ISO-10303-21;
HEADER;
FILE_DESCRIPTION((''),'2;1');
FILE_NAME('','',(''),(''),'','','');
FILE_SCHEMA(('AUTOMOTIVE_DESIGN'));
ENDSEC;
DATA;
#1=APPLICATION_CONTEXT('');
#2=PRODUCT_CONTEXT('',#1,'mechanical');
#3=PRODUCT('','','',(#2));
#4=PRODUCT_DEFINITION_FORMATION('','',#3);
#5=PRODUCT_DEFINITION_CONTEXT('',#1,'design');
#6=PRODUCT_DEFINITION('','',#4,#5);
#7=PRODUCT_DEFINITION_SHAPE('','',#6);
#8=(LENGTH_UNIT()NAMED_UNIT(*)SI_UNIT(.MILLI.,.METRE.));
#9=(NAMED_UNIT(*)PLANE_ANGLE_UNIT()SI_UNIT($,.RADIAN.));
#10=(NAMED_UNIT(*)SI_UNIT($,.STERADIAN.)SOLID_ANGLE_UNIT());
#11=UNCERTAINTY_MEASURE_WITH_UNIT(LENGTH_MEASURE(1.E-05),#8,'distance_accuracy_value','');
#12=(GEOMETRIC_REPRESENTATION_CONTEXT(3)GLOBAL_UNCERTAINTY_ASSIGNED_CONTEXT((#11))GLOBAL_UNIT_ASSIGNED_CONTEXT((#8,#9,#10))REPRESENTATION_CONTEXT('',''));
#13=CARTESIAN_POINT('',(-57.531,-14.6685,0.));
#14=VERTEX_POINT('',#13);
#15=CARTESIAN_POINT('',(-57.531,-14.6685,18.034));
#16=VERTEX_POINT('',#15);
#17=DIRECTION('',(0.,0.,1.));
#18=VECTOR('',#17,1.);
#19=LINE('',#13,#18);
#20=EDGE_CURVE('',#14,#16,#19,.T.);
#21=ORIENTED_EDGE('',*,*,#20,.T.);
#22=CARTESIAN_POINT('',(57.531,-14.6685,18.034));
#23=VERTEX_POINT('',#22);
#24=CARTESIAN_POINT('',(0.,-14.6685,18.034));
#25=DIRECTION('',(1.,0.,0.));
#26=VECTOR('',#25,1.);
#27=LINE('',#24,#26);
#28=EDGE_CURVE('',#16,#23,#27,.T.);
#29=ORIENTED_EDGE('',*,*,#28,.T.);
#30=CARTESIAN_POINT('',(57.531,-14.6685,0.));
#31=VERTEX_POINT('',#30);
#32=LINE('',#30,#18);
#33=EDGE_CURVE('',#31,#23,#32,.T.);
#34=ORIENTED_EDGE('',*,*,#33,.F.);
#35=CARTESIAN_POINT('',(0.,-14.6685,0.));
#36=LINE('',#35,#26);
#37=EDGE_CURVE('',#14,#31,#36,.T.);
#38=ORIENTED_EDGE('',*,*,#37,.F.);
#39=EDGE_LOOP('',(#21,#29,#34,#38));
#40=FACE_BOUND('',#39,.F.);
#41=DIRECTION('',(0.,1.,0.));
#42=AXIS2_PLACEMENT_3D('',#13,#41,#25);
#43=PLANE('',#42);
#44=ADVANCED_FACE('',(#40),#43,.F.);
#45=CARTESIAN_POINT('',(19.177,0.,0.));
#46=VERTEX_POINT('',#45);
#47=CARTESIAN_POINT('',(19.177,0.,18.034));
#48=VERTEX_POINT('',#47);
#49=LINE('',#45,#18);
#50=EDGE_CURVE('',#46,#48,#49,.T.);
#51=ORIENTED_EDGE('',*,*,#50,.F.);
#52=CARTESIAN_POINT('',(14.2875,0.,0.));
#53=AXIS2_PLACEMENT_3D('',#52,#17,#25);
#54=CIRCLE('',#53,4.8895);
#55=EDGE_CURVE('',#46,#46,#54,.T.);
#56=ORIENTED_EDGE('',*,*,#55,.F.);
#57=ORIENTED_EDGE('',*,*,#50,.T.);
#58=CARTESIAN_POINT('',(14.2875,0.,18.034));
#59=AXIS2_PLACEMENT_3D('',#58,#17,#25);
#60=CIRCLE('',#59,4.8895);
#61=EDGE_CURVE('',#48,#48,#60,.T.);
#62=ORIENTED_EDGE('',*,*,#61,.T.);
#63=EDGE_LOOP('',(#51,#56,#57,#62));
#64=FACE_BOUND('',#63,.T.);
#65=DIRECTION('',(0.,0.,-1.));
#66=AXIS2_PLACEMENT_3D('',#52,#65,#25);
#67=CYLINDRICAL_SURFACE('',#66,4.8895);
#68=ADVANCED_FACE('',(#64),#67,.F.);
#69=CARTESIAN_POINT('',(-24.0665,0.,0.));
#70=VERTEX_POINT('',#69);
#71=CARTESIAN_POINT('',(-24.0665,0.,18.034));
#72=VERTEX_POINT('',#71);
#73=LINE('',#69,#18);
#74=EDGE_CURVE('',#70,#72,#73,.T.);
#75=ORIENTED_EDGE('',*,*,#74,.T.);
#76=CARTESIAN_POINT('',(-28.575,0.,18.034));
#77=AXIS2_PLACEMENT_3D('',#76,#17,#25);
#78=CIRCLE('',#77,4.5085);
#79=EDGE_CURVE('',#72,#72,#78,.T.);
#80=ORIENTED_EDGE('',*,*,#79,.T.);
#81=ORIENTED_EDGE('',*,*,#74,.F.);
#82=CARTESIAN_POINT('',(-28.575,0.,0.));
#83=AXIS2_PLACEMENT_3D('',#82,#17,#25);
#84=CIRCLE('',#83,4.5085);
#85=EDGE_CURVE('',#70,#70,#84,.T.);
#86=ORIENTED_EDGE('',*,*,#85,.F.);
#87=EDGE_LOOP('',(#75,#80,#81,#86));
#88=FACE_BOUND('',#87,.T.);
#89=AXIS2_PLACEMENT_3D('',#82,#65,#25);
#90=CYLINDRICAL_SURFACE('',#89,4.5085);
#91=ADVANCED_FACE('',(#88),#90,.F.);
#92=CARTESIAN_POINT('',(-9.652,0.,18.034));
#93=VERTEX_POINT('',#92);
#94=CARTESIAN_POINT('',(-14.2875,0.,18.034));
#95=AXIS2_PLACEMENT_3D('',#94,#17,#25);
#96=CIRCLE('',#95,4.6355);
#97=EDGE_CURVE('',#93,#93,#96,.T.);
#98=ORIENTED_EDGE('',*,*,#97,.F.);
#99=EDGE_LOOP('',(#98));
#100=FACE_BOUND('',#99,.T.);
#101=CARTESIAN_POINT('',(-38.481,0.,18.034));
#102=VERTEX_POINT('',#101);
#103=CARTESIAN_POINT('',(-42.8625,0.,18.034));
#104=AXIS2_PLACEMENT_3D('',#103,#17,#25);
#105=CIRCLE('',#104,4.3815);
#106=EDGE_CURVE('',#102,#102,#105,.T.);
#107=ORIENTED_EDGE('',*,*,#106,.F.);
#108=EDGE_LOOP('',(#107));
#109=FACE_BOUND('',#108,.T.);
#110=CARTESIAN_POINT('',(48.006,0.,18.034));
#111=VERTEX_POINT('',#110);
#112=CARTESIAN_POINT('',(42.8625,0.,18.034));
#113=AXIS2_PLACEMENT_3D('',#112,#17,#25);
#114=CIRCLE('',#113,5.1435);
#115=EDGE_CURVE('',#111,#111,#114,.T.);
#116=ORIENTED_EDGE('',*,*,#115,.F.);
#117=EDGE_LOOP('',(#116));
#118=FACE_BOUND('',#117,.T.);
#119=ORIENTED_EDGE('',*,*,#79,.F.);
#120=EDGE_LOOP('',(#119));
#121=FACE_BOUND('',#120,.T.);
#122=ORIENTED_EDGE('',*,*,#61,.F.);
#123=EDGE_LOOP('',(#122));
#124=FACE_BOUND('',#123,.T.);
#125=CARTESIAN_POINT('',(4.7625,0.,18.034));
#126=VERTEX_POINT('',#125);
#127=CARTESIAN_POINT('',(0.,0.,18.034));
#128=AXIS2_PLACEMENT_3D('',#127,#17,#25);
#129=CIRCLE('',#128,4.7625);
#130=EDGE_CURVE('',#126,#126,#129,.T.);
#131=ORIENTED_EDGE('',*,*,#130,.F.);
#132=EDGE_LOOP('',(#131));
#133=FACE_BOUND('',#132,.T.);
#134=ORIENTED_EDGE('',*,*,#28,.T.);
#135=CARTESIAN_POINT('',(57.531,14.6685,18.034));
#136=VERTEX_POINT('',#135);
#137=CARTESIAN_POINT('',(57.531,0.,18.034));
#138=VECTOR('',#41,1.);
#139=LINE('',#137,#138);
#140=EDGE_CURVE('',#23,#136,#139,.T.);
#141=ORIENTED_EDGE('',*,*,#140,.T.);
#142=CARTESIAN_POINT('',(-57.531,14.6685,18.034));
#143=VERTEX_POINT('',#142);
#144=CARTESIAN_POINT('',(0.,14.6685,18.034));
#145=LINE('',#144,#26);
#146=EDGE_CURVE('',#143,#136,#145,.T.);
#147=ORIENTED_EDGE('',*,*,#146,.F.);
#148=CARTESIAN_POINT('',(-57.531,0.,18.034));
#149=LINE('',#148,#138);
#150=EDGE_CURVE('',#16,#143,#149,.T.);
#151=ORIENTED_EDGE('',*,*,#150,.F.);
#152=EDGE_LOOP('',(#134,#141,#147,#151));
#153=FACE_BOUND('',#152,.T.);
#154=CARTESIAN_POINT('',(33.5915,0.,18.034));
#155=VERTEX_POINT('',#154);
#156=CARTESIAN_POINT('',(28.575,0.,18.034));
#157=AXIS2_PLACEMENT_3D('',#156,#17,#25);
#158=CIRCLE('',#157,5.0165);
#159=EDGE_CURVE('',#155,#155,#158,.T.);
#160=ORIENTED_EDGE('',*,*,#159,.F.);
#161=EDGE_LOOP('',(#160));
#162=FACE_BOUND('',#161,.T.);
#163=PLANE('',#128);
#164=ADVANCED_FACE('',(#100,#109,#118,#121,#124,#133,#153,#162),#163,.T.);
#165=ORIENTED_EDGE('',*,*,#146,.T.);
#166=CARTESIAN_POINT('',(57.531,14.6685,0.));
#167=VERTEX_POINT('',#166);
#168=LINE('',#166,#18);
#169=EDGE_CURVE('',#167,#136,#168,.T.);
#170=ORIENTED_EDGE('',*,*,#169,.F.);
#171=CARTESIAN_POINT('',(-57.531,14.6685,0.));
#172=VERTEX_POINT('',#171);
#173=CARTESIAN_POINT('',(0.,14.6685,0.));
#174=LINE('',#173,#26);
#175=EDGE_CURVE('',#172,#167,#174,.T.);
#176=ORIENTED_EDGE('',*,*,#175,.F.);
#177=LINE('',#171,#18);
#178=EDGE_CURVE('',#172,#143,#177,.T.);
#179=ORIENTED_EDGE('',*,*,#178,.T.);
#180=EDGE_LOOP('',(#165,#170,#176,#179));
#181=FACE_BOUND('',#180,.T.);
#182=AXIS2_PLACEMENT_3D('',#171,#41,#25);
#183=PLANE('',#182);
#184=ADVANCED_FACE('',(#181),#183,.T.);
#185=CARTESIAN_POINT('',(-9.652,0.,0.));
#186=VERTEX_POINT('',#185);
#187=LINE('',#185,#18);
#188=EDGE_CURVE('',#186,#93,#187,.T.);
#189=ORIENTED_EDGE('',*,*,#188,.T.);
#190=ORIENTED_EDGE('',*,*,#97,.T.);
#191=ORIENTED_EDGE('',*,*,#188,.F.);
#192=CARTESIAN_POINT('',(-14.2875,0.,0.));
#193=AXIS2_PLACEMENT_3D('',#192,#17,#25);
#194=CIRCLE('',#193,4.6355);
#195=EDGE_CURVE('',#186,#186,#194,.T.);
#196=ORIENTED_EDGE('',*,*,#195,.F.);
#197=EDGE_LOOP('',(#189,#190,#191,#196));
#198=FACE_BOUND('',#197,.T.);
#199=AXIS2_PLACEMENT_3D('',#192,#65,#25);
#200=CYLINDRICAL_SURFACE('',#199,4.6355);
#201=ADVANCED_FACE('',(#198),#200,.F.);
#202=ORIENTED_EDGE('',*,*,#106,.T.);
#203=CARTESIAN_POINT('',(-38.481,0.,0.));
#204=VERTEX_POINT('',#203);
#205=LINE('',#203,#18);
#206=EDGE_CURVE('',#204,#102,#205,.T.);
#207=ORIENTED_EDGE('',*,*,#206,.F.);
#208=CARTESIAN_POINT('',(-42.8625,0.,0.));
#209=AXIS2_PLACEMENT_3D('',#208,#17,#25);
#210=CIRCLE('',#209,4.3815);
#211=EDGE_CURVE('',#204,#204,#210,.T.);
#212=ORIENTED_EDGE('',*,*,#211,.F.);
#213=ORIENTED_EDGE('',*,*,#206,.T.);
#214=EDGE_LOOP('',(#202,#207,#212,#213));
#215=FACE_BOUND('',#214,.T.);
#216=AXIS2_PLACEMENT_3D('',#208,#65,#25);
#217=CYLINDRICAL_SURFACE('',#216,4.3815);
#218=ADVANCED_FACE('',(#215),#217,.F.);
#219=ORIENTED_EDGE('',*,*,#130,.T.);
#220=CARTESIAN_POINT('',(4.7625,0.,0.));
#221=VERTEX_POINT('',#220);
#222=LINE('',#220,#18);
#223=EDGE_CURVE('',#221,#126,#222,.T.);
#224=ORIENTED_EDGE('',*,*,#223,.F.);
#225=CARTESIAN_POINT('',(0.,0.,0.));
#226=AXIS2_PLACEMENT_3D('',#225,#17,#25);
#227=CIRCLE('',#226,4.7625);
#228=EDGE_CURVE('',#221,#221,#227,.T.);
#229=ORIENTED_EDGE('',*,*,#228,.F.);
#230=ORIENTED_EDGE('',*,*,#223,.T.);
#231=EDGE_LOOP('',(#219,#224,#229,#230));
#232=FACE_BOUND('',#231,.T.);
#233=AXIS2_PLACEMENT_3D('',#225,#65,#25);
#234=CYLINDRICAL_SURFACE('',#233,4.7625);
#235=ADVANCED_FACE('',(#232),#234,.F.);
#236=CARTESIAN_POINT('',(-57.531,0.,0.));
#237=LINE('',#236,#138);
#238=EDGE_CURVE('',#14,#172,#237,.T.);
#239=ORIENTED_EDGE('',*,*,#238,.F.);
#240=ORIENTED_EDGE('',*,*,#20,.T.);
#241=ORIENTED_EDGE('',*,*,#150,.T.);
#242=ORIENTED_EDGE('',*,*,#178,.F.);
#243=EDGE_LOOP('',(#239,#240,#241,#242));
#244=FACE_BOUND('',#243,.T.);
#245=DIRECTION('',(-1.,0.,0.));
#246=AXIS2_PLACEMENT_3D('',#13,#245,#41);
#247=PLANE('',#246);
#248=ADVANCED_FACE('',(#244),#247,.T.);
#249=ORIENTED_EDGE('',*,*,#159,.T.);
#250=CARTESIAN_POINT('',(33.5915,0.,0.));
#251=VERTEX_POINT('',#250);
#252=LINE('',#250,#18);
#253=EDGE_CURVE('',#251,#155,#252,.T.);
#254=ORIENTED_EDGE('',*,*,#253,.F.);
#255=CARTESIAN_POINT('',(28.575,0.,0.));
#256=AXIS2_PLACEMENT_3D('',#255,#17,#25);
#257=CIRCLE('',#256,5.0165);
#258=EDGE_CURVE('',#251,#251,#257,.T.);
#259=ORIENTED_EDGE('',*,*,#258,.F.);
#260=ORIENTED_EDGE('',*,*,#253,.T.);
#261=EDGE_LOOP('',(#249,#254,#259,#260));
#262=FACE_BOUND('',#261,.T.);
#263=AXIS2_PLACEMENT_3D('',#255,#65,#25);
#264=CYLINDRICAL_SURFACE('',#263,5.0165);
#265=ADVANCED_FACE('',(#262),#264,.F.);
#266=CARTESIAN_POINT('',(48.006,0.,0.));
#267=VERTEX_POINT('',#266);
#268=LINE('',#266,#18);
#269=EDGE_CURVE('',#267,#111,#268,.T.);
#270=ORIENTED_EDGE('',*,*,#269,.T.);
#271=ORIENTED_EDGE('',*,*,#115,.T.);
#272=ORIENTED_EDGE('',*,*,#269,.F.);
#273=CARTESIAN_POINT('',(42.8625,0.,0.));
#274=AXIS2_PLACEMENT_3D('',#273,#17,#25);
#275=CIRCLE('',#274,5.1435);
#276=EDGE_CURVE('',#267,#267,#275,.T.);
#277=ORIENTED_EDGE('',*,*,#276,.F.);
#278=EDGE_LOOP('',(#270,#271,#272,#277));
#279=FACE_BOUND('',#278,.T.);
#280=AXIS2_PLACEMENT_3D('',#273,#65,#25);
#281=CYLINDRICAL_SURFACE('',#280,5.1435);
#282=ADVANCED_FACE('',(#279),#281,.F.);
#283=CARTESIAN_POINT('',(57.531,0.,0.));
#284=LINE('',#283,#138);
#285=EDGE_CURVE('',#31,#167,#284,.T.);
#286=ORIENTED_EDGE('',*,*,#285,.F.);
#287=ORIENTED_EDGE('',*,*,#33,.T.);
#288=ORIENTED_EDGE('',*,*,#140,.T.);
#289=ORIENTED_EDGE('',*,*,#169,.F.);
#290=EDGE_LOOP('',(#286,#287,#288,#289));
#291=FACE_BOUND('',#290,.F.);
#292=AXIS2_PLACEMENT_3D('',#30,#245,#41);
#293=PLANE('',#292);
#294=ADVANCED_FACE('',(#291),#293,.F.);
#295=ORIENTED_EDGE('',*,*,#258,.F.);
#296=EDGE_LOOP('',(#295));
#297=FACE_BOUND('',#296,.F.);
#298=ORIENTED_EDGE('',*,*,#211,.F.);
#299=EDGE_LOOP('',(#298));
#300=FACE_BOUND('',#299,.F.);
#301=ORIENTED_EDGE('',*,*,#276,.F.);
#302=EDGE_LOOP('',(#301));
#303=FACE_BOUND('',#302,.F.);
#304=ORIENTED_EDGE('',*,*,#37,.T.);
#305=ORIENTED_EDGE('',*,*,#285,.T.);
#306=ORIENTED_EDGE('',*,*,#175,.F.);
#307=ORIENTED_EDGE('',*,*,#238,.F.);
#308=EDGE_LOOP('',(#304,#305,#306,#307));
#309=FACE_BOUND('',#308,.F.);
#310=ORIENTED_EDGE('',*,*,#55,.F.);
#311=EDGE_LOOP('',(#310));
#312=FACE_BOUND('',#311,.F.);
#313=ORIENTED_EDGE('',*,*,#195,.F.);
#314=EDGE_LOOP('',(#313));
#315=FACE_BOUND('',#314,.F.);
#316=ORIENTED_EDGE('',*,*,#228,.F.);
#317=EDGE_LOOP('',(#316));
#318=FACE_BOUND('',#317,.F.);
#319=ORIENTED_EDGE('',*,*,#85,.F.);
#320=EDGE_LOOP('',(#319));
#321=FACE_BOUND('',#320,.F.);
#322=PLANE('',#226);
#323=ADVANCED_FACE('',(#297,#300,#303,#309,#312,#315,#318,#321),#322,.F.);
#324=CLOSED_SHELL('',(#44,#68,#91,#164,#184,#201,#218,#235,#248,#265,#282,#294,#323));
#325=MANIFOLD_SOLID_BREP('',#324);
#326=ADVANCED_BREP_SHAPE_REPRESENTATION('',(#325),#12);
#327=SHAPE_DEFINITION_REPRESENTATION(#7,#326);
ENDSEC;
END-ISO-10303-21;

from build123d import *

# Parameters (mm, degrees)
F0_W     = 115.062
F0_H     = 29.337
F0_R     = 4.3815
F0_R_2   = 4.5085
F0_R_3   = 4.6355
F0_R_4   = 4.7625
F0_R_5   = 4.8895
F0_R_6   = 5.0165
F0_R_7   = 5.1435
F1_DEPTH = 18.034


with BuildPart() as f1:
    # F0 (on Top) → F1 (new body)
    with BuildSketch(Plane.XY):
        Rectangle(F0_W, F0_H)
        with Locations((-42.8625, 0)):
            Circle(F0_R, mode=Mode.SUBTRACT)
        with Locations((-28.575, 0)):
            Circle(F0_R_2, mode=Mode.SUBTRACT)
        with Locations((-14.2875, 0)):
            Circle(F0_R_3, mode=Mode.SUBTRACT)
        Circle(F0_R_4, mode=Mode.SUBTRACT)
        with Locations((14.2875, 0)):
            Circle(F0_R_5, mode=Mode.SUBTRACT)
        with Locations((28.575, 0)):
            Circle(F0_R_6, mode=Mode.SUBTRACT)
        with Locations((42.8625, 0)):
            Circle(F0_R_7, mode=Mode.SUBTRACT)
    extrude(amount=F1_DEPTH)


solid = f1.part
